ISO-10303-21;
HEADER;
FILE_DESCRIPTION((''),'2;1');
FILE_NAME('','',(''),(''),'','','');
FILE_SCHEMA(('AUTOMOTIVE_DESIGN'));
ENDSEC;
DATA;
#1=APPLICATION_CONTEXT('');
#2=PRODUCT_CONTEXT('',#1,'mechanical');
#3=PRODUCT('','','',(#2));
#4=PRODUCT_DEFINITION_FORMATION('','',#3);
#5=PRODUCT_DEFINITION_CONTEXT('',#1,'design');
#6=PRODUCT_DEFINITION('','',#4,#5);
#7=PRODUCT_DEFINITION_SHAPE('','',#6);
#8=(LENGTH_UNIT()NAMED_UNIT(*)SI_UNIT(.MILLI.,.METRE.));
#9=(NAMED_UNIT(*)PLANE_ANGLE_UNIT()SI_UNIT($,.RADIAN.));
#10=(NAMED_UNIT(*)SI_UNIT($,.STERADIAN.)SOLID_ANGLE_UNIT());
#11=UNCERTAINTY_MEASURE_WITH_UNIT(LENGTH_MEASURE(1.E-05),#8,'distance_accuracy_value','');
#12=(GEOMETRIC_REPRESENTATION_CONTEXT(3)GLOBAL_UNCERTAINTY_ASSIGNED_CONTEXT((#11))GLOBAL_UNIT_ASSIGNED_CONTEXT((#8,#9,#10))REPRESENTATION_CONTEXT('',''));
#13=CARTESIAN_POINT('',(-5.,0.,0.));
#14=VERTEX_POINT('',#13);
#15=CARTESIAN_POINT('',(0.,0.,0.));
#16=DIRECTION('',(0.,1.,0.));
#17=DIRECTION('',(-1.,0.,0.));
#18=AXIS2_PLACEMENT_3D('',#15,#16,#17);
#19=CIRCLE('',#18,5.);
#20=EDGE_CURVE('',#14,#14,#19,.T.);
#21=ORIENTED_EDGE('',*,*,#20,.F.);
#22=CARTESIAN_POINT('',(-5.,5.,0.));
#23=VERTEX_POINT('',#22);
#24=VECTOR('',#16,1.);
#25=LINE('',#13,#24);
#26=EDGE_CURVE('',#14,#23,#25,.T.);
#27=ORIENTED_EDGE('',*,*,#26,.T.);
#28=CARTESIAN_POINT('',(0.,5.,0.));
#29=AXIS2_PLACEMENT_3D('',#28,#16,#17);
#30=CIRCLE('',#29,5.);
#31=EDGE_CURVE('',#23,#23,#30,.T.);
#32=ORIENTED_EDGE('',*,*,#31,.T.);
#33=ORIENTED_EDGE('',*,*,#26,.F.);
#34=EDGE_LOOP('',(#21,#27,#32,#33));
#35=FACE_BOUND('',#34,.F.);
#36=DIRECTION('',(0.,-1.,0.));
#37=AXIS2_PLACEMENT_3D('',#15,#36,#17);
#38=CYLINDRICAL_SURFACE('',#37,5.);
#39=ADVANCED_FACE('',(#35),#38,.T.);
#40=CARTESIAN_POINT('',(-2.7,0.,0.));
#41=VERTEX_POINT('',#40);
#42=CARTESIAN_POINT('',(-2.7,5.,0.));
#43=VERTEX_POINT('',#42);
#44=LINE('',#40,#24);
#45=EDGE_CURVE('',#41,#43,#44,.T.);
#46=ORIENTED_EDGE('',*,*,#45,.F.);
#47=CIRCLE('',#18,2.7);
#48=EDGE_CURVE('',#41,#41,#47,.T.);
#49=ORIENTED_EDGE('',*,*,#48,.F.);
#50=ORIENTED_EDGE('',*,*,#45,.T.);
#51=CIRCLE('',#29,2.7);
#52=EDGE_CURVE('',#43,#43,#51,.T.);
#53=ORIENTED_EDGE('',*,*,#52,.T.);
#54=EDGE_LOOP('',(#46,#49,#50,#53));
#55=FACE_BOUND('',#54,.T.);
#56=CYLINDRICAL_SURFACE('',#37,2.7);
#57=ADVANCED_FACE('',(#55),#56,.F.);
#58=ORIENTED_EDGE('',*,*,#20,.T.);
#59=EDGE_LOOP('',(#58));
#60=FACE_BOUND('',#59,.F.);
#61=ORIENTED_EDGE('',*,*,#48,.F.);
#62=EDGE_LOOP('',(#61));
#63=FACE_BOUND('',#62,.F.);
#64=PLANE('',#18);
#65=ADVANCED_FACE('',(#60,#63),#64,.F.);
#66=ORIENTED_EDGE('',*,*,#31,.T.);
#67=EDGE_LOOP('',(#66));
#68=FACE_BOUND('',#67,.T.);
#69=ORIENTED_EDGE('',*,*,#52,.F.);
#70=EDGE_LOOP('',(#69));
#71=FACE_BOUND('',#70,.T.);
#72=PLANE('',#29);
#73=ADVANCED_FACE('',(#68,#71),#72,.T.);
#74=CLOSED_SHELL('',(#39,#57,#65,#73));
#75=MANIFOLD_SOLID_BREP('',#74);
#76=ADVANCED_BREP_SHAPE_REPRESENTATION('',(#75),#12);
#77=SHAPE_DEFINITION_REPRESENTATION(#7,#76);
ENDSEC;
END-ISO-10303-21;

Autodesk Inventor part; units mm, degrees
ref_plane "YZ Plane" through (0, 0, 0) normal (1, 0, 0) x (0, 1, 0)
ref_plane "XZ Plane" through (0, 0, 0) normal (0, 1, 0) x (-1, 0, 0)
ref_plane "XY Plane" through (0, 0, 0) normal (0, 0, 1) x (1, 0, 0)
sketch "Sketch1" plane through (0, 0, 0) normal (0, 1, 0) x (-1, 0, 0)
  circle A0 centre (0, 0) radius 2.7
  circle A1 centre (0, 0) radius 5
  dimension "d0" = 5.4
  dimension "d1" = 10
extrude "Extrusion1" add sketch "Sketch1" along normal blind 5
properties part number "Axel Ending"
